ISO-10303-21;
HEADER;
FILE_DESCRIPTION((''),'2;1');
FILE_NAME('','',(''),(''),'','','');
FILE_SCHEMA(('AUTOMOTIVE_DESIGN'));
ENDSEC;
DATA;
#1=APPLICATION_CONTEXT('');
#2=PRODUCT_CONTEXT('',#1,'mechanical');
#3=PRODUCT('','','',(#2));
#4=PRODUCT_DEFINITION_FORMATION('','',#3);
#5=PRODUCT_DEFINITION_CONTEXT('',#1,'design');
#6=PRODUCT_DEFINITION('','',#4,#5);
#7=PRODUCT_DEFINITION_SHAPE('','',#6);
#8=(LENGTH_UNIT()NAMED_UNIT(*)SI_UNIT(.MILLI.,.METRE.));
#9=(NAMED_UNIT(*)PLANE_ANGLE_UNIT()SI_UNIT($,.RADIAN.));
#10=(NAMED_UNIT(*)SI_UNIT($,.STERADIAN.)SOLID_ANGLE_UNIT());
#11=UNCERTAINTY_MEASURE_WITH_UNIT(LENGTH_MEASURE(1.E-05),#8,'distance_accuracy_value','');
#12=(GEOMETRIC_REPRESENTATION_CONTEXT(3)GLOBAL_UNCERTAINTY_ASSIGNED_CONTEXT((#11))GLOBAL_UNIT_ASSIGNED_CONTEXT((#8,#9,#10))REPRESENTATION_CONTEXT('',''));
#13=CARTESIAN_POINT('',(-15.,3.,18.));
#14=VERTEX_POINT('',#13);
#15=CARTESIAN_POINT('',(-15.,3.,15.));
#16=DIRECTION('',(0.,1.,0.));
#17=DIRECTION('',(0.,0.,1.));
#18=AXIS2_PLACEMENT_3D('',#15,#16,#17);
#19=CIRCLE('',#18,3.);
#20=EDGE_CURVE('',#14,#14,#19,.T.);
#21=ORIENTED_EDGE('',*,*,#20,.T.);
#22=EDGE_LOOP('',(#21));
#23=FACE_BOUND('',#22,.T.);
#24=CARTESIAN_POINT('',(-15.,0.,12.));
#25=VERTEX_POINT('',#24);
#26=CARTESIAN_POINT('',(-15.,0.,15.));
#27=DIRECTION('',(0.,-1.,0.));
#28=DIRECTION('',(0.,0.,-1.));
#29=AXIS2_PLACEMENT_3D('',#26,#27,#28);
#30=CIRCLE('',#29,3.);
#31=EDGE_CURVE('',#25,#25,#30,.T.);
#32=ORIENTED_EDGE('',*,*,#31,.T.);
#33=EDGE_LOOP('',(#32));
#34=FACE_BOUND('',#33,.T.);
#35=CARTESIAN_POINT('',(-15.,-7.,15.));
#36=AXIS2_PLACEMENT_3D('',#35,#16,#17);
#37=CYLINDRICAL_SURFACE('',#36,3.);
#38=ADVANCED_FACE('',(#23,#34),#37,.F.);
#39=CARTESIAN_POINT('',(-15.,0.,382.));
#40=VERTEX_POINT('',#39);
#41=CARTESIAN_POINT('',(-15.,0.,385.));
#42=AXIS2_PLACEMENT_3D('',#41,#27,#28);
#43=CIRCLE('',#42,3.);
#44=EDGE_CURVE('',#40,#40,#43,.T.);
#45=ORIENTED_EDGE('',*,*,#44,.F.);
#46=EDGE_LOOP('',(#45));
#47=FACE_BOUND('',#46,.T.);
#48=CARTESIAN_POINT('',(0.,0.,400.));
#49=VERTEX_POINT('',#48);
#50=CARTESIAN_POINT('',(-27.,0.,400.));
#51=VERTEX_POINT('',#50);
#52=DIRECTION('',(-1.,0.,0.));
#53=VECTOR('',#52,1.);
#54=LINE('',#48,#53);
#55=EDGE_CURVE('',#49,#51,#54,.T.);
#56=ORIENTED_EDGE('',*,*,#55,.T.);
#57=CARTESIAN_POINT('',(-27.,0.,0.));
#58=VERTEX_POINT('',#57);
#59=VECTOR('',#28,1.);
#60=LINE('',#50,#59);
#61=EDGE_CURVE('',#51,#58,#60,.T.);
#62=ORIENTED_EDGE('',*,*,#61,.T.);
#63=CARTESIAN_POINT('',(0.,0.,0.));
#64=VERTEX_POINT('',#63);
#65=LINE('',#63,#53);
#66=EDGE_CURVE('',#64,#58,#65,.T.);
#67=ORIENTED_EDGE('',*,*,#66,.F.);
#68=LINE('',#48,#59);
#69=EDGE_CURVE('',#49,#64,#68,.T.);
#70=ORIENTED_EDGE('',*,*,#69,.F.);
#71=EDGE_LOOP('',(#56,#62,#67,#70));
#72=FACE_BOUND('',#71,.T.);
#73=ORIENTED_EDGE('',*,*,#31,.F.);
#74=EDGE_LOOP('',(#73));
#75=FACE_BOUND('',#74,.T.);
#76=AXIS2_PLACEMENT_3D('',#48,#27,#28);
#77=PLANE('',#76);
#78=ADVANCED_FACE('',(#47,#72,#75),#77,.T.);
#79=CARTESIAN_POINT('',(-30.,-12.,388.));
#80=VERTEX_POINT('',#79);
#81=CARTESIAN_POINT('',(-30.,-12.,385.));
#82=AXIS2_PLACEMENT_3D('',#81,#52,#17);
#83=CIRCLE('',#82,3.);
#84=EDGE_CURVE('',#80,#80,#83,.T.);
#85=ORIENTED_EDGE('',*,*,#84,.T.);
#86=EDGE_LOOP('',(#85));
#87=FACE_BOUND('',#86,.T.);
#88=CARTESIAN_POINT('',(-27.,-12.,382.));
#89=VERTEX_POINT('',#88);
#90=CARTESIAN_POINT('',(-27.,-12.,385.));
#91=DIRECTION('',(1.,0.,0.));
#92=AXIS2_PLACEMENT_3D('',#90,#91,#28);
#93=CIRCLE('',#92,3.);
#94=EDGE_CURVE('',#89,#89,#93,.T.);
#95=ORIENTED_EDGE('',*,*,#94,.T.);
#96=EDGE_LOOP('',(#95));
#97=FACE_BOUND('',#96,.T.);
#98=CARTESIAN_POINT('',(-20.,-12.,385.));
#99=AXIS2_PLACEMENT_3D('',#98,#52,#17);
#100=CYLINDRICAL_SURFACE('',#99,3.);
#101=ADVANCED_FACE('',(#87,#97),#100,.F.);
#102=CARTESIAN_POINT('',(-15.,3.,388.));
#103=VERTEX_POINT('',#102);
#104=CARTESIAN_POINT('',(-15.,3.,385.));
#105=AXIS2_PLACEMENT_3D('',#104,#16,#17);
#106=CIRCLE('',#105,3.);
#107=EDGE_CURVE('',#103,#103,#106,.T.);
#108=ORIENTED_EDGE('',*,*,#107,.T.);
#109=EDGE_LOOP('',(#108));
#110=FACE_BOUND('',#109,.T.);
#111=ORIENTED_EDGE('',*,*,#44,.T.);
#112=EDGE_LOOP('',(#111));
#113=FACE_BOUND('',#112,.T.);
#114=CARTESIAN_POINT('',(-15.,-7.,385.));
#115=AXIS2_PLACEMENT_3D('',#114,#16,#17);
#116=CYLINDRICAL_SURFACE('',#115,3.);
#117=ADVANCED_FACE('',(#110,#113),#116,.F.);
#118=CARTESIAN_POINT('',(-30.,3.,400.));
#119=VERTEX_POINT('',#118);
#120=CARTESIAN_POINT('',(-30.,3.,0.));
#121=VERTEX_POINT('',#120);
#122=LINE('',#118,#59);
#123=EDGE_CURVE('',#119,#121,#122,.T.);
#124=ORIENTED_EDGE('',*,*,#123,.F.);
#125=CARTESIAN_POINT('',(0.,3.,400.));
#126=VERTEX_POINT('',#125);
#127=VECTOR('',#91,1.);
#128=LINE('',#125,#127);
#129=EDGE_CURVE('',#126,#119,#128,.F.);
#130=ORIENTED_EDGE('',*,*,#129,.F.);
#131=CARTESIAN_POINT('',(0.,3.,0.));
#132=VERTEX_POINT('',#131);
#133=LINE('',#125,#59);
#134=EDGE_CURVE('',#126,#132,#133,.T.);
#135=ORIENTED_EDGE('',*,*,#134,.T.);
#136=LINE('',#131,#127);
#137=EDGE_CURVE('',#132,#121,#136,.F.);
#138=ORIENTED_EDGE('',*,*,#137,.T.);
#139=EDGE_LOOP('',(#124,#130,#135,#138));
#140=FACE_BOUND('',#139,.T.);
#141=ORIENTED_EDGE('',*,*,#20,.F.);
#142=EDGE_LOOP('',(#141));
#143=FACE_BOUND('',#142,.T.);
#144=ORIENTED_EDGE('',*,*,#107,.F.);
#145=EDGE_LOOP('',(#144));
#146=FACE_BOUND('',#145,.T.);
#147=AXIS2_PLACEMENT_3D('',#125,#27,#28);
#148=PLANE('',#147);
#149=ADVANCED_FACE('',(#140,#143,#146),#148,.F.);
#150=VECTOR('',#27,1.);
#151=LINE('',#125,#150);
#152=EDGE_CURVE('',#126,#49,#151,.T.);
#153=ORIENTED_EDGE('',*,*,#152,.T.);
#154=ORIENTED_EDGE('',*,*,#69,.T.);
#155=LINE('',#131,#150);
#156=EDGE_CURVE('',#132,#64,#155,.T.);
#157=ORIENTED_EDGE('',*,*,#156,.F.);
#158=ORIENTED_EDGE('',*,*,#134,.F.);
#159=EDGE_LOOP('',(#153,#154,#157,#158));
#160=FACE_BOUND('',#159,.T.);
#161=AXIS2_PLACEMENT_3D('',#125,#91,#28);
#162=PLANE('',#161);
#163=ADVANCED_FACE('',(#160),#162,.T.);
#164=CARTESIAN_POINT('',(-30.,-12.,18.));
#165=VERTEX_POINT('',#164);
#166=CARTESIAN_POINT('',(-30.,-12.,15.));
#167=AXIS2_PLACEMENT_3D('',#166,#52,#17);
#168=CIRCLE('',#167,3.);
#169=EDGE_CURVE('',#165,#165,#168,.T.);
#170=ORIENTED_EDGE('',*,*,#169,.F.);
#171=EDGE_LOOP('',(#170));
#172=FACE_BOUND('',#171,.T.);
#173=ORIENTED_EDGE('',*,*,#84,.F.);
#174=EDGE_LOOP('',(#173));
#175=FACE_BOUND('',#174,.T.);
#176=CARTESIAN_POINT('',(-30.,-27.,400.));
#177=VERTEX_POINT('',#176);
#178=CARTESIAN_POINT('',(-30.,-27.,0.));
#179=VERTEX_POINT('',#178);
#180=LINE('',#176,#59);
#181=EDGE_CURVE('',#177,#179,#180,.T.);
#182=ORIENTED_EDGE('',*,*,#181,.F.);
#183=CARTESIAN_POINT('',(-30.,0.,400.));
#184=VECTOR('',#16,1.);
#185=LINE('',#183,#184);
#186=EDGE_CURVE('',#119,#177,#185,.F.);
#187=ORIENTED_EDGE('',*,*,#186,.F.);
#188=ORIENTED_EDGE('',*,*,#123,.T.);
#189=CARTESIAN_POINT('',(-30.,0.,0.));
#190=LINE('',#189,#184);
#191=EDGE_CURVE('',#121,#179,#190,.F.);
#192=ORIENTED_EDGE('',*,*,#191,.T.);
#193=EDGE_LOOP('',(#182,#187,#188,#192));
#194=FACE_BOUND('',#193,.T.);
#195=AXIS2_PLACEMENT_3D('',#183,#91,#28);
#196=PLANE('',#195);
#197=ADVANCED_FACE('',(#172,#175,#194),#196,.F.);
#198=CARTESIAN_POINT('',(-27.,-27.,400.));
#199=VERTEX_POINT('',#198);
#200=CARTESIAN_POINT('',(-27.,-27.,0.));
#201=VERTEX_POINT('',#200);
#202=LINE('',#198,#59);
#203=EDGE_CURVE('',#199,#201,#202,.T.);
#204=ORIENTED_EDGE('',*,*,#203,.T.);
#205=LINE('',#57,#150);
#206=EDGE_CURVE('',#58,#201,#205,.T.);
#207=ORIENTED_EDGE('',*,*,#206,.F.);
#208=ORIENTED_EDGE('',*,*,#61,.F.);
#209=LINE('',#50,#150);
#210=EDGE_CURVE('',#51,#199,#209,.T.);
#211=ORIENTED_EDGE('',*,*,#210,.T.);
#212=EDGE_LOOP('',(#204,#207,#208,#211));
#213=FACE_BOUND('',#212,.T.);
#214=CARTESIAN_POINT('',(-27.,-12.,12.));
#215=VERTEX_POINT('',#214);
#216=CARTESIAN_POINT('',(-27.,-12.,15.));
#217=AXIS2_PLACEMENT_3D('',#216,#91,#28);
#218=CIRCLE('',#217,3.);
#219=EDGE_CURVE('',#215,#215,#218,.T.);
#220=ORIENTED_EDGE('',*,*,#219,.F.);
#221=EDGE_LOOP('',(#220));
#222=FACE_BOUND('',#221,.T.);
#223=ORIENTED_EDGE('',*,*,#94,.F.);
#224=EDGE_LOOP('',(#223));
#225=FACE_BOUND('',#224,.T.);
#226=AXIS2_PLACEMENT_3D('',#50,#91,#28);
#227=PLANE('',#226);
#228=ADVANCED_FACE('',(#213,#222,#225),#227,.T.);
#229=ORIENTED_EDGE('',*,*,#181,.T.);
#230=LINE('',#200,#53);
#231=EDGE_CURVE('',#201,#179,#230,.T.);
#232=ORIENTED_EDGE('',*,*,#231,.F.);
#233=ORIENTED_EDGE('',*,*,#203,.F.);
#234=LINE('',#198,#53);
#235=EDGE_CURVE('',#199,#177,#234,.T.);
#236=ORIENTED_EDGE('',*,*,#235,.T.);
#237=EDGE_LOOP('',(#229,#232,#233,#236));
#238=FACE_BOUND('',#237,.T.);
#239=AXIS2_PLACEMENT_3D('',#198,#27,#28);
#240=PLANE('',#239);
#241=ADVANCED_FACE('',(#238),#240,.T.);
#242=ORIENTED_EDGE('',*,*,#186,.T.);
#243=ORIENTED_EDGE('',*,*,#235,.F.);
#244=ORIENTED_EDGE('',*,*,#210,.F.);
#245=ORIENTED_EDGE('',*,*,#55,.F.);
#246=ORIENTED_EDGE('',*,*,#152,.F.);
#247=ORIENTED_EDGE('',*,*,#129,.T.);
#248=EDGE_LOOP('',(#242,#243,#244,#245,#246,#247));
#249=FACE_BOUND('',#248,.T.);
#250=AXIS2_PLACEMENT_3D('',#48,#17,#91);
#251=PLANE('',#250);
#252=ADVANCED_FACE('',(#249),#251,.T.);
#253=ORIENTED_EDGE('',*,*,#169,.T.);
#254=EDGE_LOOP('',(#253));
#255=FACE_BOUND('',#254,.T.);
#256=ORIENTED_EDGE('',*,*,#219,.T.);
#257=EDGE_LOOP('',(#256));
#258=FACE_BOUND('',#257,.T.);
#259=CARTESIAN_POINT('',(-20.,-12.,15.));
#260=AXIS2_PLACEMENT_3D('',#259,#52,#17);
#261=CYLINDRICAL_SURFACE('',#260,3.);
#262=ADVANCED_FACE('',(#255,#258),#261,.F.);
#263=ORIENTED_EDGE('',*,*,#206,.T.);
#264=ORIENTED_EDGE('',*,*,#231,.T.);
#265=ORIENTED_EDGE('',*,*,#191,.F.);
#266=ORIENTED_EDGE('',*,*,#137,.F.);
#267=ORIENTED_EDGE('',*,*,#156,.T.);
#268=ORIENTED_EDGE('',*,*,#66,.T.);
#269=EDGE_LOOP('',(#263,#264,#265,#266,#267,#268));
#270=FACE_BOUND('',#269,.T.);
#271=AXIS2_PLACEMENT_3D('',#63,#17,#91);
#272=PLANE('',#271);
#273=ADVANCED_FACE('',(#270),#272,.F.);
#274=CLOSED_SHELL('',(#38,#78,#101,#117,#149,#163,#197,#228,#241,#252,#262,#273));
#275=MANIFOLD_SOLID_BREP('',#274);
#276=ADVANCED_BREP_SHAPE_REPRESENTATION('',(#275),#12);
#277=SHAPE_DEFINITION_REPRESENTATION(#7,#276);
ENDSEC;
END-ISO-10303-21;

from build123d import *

# Parameters (mm, degrees)
EXTRUDE_THIN1_DEPTH = 400
SKETCH2_R           = 3
CUT_EXTRUDE1_DEPTH  = 10
LPATTERN1_COUNT     = 2
LPATTERN1_PITCH     = 370
SKETCH3_R           = 3
CUT_EXTRUDE2_DEPTH  = 10
LPATTERN2_COUNT     = 2
LPATTERN2_PITCH     = 370


with BuildPart() as part:
    # Sketch1 → Extrude-Thin1 (new body)
    with BuildSketch(Plane.XY):
        Polygon((0, 0), (-27, 0), (-27, -27), (-30, -27), (-30, 3), (0, 3), align=None)
    extrude(amount=EXTRUDE_THIN1_DEPTH)

    # Sketch2 → Cut-Extrude1 (cut)
    with BuildSketch(Plane(origin=(0, 3, 0), x_dir=(1, 0, 0), z_dir=(0, 1, 0))):
        with Locations(Location((-15, -15, 0), (0, 0, 270))):
            Circle(SKETCH2_R)
    cut_extrude1 = extrude(amount=-CUT_EXTRUDE1_DEPTH, mode=Mode.SUBTRACT)

    # LPattern1: Cut-Extrude1 ×2
    with Locations(*[(0, 0, i * LPATTERN1_PITCH) for i in range(1, LPATTERN1_COUNT)]):
        add(cut_extrude1, mode=Mode.SUBTRACT)

    # Sketch3 → Cut-Extrude2 (cut)
    with BuildSketch(Plane.ZY.offset(30)):
        with Locations((15, -12)):
            Circle(SKETCH3_R)
    cut_extrude2 = extrude(amount=-CUT_EXTRUDE2_DEPTH, mode=Mode.SUBTRACT)

    # LPattern2: Cut-Extrude2 ×2
    with Locations(*[(0, 0, i * LPATTERN2_PITCH) for i in range(1, LPATTERN2_COUNT)]):
        add(cut_extrude2, mode=Mode.SUBTRACT)


solid = part.part
